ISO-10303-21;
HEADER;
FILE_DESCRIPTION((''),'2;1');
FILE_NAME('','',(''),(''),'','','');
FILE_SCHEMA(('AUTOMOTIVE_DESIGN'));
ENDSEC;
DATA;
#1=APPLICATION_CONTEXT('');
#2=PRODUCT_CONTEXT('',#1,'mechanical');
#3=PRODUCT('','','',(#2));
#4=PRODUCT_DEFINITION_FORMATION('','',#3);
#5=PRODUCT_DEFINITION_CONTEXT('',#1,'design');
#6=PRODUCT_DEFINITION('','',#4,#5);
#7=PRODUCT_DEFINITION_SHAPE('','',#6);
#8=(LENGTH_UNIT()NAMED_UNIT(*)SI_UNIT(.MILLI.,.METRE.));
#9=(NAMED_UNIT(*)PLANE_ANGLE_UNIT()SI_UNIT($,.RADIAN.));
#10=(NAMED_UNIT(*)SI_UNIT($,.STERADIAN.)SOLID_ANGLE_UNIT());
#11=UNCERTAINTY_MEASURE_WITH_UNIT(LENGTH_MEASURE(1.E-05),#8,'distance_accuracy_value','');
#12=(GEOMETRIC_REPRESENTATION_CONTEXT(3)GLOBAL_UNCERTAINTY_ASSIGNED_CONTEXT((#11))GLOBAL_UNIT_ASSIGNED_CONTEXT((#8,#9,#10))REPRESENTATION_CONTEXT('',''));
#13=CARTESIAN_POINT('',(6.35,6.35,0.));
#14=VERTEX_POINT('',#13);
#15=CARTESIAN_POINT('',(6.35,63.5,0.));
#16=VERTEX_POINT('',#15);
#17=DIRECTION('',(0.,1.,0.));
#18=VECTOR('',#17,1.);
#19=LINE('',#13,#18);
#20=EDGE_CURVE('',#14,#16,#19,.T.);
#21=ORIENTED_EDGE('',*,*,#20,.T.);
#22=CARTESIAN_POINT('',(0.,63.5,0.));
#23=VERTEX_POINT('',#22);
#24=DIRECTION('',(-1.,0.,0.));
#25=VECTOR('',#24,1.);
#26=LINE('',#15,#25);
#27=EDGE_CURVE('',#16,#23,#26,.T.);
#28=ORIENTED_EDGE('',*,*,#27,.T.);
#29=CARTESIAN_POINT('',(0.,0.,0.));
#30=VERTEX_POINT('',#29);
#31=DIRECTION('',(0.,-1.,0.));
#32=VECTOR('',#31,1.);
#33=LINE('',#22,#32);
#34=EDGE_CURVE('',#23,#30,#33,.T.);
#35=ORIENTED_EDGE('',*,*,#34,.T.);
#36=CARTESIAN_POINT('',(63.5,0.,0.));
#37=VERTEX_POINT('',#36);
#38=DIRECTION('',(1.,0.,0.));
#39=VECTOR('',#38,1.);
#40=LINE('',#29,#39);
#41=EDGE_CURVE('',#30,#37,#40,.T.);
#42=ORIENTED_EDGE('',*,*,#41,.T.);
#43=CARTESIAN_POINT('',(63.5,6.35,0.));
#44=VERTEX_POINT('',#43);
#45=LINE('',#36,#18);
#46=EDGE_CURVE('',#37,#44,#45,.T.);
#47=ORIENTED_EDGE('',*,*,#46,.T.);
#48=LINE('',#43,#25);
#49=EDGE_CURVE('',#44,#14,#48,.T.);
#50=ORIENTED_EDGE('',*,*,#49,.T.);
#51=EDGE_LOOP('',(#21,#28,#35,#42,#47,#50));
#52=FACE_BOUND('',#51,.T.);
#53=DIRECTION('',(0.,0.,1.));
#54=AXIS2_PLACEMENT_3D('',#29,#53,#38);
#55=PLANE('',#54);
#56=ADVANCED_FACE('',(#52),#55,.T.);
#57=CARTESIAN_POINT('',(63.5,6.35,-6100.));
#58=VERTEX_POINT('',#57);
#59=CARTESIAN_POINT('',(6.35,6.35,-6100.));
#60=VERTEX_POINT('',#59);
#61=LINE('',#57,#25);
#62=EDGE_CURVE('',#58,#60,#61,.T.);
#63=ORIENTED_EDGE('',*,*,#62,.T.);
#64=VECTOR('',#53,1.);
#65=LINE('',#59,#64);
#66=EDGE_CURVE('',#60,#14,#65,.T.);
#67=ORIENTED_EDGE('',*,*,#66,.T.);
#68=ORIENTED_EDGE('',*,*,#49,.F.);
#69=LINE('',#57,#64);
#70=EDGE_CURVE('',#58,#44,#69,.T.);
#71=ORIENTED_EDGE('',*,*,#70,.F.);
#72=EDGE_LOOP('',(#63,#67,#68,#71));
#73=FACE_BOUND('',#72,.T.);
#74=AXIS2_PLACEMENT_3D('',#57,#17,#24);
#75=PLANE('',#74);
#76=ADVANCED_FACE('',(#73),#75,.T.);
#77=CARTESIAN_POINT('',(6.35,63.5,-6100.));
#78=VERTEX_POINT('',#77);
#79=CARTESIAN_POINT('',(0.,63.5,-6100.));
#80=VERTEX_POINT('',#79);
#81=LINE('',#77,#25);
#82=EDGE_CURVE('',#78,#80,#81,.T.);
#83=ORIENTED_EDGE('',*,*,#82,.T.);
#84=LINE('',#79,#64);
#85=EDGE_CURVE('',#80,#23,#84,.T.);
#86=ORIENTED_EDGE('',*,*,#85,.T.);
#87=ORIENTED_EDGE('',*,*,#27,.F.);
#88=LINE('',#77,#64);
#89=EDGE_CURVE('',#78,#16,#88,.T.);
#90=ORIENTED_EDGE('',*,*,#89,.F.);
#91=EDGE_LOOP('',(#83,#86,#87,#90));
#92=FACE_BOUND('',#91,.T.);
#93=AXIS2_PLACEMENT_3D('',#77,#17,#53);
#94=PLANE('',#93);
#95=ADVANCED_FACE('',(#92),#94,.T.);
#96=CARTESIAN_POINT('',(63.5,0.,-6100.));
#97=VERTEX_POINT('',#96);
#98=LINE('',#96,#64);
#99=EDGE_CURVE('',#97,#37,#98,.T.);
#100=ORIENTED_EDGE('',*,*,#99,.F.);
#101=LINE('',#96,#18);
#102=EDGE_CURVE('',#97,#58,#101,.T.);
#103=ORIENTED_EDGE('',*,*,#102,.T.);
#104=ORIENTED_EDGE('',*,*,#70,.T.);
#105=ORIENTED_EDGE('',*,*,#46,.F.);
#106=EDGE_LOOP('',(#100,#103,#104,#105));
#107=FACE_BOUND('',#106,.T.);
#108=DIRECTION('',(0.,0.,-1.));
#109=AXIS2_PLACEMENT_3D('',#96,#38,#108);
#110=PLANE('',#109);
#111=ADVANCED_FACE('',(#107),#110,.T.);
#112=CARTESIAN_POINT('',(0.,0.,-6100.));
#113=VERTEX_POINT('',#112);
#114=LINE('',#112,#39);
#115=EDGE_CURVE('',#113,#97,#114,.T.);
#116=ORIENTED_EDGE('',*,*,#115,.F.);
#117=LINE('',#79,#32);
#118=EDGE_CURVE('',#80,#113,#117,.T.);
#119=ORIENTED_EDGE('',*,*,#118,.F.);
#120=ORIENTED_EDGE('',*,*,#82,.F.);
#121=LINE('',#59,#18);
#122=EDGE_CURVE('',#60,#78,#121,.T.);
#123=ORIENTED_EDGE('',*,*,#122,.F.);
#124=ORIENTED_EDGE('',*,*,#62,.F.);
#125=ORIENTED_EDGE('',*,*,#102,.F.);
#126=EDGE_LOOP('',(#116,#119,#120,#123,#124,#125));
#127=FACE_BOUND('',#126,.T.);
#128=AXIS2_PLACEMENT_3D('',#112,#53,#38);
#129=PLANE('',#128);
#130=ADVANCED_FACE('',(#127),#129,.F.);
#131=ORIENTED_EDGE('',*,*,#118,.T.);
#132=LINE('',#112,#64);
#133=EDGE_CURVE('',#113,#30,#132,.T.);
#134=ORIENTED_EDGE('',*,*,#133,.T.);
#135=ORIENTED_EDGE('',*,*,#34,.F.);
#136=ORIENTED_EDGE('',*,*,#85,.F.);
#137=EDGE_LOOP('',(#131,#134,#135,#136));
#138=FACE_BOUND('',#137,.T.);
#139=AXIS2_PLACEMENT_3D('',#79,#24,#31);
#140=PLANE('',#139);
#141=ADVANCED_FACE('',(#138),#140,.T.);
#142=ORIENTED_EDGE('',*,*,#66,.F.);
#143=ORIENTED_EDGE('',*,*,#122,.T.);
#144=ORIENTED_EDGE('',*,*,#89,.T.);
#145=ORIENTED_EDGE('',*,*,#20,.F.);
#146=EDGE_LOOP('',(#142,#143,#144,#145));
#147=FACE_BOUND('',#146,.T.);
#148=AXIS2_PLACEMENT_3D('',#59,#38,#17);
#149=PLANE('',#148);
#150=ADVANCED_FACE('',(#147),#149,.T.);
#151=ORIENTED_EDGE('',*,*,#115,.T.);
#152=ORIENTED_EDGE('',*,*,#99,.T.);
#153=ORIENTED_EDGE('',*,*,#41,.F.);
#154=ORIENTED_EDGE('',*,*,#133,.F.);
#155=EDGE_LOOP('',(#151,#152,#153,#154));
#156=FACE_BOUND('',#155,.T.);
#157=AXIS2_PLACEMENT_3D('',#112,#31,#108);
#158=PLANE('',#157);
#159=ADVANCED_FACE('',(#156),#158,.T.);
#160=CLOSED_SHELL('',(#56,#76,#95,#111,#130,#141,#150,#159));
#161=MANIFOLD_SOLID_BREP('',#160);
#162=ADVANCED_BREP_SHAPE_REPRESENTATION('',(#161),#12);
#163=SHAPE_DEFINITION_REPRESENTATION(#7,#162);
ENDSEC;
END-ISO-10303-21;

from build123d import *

# Parameters (mm, degrees)
SALIENTE_EXTRUIR1_DEPTH = 6100


with BuildPart() as part:
    # Croquis1 → Saliente-Extruir1 (new body)
    with BuildSketch(Plane.XY):
        Polygon((0, 63.5), (0, 0), (63.5, 0), (63.5, 6.35), (6.35, 6.35), (6.35, 63.5), align=None)
    extrude(amount=-SALIENTE_EXTRUIR1_DEPTH)


solid = part.part
